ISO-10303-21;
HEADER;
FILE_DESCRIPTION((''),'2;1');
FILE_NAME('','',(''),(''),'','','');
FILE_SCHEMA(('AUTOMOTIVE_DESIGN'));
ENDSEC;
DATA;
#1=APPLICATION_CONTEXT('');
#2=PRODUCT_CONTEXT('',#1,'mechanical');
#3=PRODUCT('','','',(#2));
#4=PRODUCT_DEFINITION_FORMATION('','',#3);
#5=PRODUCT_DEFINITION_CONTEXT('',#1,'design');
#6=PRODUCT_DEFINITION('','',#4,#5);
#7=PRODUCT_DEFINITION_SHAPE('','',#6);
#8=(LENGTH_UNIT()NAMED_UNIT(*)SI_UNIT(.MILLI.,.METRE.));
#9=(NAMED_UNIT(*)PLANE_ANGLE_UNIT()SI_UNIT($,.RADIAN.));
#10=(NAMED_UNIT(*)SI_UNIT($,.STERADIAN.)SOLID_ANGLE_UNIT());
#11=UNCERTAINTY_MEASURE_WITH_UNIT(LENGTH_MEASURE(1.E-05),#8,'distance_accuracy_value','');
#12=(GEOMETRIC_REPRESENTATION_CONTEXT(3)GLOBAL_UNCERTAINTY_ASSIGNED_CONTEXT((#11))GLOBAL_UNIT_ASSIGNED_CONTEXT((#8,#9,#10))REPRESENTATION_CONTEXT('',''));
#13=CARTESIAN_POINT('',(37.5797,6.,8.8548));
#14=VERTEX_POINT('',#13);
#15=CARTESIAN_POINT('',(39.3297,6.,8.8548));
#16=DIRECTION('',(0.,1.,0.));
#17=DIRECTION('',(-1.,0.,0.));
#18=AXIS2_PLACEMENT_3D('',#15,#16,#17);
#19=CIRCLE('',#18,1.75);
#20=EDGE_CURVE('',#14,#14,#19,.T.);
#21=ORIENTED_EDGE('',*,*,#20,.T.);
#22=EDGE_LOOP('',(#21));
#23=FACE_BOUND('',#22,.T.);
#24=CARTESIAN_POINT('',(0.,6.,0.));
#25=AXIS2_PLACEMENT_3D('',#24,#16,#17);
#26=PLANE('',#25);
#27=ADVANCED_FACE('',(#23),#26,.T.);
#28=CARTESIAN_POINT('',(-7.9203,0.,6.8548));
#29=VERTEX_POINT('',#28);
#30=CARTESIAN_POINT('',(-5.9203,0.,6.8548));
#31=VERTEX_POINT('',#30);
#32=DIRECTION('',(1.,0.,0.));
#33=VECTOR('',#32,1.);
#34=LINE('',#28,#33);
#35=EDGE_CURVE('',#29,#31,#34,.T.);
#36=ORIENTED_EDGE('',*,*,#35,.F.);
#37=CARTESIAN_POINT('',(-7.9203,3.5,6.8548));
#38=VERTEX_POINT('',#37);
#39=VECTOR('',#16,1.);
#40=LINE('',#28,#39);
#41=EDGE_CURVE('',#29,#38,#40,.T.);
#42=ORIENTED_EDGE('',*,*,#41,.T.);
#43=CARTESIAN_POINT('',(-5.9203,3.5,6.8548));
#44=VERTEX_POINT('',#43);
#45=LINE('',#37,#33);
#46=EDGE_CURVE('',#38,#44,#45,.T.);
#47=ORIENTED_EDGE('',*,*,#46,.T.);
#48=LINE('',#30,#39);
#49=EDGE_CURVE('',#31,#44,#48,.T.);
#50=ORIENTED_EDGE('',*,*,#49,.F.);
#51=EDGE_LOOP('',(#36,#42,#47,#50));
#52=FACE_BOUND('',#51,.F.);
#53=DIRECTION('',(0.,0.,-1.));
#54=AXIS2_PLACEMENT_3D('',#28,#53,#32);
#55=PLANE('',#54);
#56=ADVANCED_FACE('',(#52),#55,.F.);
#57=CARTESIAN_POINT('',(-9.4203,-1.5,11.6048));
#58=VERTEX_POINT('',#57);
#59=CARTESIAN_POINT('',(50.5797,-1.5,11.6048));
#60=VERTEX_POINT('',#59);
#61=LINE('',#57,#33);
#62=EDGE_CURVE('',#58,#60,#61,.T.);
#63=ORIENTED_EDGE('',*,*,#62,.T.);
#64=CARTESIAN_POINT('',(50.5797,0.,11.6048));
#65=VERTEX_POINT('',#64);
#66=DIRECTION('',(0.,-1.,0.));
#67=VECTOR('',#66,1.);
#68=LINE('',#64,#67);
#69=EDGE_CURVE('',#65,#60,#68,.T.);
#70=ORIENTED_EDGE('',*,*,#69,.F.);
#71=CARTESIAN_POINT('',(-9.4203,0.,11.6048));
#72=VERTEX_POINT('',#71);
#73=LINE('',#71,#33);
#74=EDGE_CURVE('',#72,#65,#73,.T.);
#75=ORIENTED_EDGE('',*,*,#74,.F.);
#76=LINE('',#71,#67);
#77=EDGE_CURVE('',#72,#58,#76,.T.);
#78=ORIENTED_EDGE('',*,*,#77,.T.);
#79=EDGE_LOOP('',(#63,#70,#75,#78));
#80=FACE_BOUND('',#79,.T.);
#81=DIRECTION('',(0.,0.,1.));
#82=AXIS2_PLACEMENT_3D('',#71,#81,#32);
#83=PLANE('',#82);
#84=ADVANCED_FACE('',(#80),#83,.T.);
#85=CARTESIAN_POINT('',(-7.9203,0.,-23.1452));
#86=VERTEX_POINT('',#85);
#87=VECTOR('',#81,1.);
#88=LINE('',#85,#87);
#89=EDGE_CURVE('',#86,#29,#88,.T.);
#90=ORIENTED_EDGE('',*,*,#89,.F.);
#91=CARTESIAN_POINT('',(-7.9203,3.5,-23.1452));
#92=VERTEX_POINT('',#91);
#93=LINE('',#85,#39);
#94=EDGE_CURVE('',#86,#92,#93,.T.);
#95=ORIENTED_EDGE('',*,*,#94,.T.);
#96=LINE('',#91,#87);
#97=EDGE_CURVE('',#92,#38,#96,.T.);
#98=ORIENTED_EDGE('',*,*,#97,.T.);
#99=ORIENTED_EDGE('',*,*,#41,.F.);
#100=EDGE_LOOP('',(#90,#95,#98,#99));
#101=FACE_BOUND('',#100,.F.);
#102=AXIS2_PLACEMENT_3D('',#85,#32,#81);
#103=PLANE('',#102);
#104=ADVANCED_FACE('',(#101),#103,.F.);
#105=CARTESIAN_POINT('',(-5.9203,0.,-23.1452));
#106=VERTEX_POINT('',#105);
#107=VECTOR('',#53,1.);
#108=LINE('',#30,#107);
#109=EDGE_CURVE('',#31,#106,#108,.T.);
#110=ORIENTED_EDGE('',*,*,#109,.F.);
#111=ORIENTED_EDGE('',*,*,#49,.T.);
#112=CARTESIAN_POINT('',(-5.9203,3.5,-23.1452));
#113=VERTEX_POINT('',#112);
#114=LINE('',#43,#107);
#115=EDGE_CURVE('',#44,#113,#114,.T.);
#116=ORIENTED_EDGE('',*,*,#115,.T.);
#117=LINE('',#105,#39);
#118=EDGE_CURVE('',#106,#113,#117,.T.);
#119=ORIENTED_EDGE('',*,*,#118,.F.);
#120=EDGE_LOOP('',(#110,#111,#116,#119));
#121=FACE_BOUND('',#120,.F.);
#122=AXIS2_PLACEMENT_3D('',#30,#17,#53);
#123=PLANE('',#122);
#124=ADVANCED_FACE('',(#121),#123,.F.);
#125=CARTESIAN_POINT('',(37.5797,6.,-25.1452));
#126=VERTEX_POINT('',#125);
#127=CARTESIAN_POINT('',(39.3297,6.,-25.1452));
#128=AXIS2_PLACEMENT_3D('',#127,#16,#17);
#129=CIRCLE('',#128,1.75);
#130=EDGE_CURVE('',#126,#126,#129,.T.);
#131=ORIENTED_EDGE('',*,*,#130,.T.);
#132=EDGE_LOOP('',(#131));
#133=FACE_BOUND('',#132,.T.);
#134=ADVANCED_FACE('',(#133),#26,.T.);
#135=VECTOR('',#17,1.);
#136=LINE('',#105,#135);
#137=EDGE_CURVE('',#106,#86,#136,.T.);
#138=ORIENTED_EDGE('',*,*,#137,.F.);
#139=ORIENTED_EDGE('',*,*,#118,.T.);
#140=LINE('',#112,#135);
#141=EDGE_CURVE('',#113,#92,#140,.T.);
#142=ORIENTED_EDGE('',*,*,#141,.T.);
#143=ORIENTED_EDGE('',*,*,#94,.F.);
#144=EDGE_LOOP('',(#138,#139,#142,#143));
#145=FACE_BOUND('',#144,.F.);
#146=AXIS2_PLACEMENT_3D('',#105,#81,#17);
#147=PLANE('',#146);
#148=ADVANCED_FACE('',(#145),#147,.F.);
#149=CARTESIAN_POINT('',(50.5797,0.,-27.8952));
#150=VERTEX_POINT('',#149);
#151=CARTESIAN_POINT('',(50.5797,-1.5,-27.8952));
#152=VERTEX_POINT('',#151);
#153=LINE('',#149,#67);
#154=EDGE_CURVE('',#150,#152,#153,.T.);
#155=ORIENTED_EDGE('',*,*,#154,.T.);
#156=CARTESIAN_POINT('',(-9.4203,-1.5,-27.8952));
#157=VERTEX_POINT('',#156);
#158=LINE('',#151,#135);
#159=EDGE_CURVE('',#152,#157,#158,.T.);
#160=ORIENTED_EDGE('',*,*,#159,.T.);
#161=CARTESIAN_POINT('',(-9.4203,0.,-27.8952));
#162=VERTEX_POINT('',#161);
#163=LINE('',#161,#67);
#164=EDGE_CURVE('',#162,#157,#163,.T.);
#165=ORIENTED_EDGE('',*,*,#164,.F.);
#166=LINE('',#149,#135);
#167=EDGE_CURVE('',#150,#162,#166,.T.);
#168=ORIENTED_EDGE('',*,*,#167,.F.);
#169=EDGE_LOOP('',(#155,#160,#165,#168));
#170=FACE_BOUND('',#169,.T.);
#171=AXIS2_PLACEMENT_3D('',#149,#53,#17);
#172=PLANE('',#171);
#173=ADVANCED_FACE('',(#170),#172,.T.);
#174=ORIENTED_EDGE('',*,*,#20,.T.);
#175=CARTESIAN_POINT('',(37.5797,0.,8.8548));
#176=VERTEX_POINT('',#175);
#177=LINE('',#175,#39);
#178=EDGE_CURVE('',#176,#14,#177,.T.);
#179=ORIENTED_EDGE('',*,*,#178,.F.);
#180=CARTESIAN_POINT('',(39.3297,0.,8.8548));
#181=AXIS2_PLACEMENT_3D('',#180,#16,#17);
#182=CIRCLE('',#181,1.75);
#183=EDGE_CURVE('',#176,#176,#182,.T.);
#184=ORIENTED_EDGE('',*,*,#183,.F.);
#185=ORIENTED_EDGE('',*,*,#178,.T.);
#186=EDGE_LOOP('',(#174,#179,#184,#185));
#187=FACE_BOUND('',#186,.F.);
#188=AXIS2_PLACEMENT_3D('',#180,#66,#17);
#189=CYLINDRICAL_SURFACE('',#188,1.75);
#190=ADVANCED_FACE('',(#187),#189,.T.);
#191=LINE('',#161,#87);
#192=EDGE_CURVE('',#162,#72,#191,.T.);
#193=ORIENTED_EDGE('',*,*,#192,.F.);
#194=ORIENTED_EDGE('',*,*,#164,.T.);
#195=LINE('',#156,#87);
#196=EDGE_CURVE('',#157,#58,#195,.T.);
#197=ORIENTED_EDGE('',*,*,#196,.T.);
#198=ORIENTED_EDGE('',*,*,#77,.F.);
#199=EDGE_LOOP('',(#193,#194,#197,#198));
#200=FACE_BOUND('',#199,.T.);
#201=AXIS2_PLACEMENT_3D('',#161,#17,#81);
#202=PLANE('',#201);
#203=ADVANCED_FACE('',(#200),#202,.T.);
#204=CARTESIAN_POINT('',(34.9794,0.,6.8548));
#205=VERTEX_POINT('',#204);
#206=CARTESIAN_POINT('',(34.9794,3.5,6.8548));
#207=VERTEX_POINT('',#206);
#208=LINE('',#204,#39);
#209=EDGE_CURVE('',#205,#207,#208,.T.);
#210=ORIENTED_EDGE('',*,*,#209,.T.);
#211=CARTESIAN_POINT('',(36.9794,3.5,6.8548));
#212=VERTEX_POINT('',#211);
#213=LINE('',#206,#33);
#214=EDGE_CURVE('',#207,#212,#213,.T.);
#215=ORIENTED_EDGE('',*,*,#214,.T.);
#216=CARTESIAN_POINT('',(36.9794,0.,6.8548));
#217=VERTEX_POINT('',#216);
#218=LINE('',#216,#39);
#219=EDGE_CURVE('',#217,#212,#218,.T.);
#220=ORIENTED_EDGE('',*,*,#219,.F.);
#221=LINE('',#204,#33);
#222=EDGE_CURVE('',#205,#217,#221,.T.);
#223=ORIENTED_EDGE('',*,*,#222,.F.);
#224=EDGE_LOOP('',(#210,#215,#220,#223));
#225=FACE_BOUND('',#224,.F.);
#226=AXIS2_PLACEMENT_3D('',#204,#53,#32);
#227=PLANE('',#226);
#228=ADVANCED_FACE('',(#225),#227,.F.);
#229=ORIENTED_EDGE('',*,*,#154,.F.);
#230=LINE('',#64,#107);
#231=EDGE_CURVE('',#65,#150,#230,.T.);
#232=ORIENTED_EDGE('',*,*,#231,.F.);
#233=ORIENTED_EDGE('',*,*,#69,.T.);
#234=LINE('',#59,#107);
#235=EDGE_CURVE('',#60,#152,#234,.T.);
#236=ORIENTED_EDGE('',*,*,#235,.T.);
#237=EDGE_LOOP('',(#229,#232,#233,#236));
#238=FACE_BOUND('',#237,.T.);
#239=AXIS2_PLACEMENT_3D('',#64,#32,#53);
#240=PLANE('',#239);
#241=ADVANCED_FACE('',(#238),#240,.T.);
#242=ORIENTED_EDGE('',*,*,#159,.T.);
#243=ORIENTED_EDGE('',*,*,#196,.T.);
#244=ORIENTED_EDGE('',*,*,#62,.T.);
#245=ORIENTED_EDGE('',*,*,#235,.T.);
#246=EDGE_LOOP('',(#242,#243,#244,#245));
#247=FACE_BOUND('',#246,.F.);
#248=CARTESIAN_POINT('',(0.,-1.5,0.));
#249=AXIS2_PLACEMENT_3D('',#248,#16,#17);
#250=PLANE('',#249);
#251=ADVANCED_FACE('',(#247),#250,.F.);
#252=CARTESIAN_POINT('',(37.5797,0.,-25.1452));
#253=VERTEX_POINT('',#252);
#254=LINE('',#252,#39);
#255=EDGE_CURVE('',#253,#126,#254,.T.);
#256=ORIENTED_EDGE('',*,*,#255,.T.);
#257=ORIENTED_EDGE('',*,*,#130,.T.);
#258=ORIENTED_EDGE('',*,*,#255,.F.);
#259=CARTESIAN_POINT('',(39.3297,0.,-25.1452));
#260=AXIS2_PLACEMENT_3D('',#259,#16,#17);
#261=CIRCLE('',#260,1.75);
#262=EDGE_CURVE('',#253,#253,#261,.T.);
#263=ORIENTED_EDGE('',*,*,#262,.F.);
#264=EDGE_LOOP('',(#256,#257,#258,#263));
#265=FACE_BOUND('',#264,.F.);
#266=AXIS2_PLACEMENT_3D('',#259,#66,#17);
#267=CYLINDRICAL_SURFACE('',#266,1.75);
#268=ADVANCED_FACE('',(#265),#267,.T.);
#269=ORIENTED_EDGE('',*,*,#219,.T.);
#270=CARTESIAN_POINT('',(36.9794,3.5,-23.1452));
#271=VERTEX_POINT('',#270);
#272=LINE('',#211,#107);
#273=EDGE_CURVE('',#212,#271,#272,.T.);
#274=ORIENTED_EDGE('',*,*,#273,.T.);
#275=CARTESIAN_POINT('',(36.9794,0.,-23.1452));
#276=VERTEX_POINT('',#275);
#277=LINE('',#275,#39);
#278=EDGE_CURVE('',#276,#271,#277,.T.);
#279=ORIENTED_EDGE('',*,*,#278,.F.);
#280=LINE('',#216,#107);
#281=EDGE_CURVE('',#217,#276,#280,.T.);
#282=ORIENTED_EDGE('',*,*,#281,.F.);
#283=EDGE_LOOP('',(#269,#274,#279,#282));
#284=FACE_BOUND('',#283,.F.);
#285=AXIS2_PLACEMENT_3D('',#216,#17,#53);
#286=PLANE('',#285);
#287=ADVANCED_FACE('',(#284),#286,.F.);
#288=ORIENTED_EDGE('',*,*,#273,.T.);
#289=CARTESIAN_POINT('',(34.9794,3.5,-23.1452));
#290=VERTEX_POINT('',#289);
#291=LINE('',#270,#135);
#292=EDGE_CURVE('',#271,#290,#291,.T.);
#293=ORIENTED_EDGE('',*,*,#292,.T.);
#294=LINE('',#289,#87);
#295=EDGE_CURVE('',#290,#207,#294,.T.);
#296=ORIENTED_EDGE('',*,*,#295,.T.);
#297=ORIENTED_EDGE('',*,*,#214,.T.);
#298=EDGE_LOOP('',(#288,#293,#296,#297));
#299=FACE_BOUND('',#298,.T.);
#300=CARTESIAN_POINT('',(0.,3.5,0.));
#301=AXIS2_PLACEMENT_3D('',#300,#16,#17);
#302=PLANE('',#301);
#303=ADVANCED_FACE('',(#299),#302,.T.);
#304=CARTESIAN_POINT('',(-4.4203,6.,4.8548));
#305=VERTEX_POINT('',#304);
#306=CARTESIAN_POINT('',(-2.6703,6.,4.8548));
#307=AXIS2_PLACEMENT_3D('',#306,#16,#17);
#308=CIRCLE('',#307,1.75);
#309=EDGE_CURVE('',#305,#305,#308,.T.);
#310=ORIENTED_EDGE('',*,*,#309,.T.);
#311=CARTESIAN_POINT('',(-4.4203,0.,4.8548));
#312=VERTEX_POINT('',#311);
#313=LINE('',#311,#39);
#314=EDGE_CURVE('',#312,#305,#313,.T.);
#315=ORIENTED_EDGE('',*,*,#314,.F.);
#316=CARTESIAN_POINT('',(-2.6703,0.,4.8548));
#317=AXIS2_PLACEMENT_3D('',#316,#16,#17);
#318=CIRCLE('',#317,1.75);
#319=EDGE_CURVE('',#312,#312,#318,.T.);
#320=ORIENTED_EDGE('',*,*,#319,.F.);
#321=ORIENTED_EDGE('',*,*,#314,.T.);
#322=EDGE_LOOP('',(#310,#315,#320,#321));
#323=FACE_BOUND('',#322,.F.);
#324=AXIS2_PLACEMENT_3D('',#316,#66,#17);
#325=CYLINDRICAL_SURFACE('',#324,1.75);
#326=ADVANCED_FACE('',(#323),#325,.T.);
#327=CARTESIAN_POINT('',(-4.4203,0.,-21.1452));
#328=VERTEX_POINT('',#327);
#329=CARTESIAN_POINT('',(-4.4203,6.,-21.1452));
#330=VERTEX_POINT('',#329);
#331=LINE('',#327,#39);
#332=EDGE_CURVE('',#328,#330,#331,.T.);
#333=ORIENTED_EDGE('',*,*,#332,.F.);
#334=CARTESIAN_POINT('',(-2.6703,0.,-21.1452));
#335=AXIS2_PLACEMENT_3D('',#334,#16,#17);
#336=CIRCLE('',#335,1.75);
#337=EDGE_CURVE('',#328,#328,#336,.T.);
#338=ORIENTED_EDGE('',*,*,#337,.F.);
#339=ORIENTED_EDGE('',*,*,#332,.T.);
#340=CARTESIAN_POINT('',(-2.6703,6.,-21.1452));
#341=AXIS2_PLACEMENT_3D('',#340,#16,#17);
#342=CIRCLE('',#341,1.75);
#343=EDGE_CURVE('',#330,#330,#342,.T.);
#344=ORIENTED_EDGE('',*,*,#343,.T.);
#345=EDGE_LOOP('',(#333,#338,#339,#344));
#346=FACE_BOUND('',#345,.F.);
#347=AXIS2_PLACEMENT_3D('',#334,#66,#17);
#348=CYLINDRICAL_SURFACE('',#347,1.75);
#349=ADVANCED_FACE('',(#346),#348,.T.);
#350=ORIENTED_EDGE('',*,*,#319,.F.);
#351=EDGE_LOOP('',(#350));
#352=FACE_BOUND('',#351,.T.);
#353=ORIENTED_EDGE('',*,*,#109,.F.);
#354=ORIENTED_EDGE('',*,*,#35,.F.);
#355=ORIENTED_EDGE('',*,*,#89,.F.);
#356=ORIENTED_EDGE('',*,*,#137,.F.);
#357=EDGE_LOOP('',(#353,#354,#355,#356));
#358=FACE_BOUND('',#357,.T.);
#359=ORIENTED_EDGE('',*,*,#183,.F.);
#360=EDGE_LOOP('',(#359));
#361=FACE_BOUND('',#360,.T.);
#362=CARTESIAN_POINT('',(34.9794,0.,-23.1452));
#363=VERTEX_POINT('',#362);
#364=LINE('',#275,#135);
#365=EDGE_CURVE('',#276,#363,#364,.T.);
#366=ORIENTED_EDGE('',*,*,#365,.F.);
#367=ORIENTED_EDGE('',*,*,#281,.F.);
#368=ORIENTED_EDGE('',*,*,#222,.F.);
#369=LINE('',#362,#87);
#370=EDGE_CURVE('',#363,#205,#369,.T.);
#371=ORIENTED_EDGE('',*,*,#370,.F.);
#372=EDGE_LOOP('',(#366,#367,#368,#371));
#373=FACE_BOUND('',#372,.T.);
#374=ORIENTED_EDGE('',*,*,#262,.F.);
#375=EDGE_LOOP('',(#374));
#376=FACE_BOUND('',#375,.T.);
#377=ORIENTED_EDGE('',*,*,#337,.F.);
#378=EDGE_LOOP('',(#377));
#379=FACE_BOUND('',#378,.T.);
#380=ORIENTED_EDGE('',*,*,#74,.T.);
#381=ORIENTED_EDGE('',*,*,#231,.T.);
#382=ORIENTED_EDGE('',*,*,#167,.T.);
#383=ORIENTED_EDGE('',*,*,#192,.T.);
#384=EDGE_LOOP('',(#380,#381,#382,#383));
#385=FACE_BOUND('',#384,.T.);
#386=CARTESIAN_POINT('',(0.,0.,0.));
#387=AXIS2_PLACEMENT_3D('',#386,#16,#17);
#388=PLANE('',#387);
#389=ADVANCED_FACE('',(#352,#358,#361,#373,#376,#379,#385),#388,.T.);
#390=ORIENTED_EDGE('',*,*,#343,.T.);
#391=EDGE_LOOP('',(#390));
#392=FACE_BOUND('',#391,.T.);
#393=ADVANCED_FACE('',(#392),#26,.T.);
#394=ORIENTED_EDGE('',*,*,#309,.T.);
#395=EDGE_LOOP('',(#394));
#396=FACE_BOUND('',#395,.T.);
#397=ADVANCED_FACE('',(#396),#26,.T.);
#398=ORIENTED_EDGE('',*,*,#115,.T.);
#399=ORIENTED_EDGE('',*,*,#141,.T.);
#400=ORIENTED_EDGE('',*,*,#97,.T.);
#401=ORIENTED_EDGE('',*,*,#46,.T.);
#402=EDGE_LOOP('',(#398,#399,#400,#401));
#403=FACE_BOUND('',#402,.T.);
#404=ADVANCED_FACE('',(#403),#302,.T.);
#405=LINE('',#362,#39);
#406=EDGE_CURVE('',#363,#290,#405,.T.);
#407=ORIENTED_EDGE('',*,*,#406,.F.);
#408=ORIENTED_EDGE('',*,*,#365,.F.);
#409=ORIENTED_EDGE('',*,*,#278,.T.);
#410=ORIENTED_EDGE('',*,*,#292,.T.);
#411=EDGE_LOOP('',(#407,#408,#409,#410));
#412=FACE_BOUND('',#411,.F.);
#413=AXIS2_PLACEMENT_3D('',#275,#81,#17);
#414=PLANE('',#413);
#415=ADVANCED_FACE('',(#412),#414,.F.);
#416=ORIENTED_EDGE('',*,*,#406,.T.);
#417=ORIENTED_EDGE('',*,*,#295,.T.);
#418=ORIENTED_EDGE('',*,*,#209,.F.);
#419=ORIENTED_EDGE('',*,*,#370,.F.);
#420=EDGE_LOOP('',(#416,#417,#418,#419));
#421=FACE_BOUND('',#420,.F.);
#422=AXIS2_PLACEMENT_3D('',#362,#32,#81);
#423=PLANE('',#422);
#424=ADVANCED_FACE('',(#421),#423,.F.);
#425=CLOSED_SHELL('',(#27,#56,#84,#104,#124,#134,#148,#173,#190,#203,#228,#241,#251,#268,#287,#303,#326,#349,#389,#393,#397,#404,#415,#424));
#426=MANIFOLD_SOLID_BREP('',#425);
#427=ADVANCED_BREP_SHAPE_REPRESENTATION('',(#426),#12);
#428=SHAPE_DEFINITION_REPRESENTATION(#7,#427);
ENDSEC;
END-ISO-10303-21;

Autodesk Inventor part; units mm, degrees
ref_plane "YZ Plane" through (0, 0, 0) normal (1, 0, 0) x (0, 1, 0)
ref_plane "XZ Plane" through (0, 0, 0) normal (0, 1, 0) x (-1, 0, 0)
ref_plane "XY Plane" through (0, 0, 0) normal (0, 0, 1) x (1, 0, 0)
sketch "Sketch5" plane through (0, 0, 0) normal (0, 1, 0) x (-1, 0, 0)
  line L0 (9.4203, 11.6048) -> (-50.5797, 11.6048)
  line L1 (-50.5797, 11.6048) -> (-50.5797, -27.8952)
  line L2 (-50.5797, -27.8952) -> (9.4203, -27.8952)
  line L3 (9.4203, -27.8952) -> (9.4203, 11.6048)
  circle A0 centre (2.6703, 4.8548) radius 1.75
  circle A1 centre (2.6703, -21.1452) radius 1.75
  circle A2 centre (-39.3297, 8.8548) radius 1.75
  circle A3 centre (-39.3297, -25.1452) radius 1.75
  line L4 (-36.9794, -23.1452) -> (-34.9794, -23.1452)
  line L5 (-34.9794, -23.1452) -> (-34.9794, 6.8548)
  line L6 (-34.9794, 6.8548) -> (-36.9794, 6.8548)
  line L7 (-36.9794, 6.8548) -> (-36.9794, -23.1452)
  line L8 (7.9203, 6.8548) -> (5.9203, 6.8548)
  line L9 (5.9203, 6.8548) -> (5.9203, -23.1452)
  line L10 (5.9203, -23.1452) -> (7.9203, -23.1452)
  line L11 (7.9203, -23.1452) -> (7.9203, 6.8548)
  point P0 (0, 0)
  dimension "d9" = 60
  dimension "d10" = 39.5
  dimension "d11" = 3.5
  dimension "d12" = 3.5
  dimension "d13" = 3.5
  dimension "d14" = 3.5
  dimension "d16" = 6.75
  dimension "d17" = 6.75
  dimension "d18" = 6.75
  dimension "d19" = 6.75
  dimension "d20" = 11.25
  dimension "d21" = 2.75
  dimension "d22" = 11.25
  dimension "d23" = 2.75
  dimension "d24" = 2
  dimension "d25" = 2
  dimension "d26" = 30
  dimension "d27" = 4.75
  dimension "d28" = 4.75
  dimension "d29" = 2
  dimension "d30" = 30
  dimension "d31" = 1.5
  dimension "d32" = 4.75
  dimension "d33" = 4.75
extrude "Extrusion2" add sketch "Sketch5" against normal blind 1.5 contours L3 L2 L1 L0 | A0 | A1 | A2 | A3 | L7 L6 L5 L4 | L11 L10 L9 L8
extrude "Extrusion3" add sketch "Sketch5" along normal blind 6 contours A0 | A1 | A2 | A3
extrude "Extrusion4" add sketch "Sketch5" along normal blind 3.5 contours L7 L6 L5 L4 | L11 L10 L9 L8
properties part number "RFID-RC522 Holder 3.0"
